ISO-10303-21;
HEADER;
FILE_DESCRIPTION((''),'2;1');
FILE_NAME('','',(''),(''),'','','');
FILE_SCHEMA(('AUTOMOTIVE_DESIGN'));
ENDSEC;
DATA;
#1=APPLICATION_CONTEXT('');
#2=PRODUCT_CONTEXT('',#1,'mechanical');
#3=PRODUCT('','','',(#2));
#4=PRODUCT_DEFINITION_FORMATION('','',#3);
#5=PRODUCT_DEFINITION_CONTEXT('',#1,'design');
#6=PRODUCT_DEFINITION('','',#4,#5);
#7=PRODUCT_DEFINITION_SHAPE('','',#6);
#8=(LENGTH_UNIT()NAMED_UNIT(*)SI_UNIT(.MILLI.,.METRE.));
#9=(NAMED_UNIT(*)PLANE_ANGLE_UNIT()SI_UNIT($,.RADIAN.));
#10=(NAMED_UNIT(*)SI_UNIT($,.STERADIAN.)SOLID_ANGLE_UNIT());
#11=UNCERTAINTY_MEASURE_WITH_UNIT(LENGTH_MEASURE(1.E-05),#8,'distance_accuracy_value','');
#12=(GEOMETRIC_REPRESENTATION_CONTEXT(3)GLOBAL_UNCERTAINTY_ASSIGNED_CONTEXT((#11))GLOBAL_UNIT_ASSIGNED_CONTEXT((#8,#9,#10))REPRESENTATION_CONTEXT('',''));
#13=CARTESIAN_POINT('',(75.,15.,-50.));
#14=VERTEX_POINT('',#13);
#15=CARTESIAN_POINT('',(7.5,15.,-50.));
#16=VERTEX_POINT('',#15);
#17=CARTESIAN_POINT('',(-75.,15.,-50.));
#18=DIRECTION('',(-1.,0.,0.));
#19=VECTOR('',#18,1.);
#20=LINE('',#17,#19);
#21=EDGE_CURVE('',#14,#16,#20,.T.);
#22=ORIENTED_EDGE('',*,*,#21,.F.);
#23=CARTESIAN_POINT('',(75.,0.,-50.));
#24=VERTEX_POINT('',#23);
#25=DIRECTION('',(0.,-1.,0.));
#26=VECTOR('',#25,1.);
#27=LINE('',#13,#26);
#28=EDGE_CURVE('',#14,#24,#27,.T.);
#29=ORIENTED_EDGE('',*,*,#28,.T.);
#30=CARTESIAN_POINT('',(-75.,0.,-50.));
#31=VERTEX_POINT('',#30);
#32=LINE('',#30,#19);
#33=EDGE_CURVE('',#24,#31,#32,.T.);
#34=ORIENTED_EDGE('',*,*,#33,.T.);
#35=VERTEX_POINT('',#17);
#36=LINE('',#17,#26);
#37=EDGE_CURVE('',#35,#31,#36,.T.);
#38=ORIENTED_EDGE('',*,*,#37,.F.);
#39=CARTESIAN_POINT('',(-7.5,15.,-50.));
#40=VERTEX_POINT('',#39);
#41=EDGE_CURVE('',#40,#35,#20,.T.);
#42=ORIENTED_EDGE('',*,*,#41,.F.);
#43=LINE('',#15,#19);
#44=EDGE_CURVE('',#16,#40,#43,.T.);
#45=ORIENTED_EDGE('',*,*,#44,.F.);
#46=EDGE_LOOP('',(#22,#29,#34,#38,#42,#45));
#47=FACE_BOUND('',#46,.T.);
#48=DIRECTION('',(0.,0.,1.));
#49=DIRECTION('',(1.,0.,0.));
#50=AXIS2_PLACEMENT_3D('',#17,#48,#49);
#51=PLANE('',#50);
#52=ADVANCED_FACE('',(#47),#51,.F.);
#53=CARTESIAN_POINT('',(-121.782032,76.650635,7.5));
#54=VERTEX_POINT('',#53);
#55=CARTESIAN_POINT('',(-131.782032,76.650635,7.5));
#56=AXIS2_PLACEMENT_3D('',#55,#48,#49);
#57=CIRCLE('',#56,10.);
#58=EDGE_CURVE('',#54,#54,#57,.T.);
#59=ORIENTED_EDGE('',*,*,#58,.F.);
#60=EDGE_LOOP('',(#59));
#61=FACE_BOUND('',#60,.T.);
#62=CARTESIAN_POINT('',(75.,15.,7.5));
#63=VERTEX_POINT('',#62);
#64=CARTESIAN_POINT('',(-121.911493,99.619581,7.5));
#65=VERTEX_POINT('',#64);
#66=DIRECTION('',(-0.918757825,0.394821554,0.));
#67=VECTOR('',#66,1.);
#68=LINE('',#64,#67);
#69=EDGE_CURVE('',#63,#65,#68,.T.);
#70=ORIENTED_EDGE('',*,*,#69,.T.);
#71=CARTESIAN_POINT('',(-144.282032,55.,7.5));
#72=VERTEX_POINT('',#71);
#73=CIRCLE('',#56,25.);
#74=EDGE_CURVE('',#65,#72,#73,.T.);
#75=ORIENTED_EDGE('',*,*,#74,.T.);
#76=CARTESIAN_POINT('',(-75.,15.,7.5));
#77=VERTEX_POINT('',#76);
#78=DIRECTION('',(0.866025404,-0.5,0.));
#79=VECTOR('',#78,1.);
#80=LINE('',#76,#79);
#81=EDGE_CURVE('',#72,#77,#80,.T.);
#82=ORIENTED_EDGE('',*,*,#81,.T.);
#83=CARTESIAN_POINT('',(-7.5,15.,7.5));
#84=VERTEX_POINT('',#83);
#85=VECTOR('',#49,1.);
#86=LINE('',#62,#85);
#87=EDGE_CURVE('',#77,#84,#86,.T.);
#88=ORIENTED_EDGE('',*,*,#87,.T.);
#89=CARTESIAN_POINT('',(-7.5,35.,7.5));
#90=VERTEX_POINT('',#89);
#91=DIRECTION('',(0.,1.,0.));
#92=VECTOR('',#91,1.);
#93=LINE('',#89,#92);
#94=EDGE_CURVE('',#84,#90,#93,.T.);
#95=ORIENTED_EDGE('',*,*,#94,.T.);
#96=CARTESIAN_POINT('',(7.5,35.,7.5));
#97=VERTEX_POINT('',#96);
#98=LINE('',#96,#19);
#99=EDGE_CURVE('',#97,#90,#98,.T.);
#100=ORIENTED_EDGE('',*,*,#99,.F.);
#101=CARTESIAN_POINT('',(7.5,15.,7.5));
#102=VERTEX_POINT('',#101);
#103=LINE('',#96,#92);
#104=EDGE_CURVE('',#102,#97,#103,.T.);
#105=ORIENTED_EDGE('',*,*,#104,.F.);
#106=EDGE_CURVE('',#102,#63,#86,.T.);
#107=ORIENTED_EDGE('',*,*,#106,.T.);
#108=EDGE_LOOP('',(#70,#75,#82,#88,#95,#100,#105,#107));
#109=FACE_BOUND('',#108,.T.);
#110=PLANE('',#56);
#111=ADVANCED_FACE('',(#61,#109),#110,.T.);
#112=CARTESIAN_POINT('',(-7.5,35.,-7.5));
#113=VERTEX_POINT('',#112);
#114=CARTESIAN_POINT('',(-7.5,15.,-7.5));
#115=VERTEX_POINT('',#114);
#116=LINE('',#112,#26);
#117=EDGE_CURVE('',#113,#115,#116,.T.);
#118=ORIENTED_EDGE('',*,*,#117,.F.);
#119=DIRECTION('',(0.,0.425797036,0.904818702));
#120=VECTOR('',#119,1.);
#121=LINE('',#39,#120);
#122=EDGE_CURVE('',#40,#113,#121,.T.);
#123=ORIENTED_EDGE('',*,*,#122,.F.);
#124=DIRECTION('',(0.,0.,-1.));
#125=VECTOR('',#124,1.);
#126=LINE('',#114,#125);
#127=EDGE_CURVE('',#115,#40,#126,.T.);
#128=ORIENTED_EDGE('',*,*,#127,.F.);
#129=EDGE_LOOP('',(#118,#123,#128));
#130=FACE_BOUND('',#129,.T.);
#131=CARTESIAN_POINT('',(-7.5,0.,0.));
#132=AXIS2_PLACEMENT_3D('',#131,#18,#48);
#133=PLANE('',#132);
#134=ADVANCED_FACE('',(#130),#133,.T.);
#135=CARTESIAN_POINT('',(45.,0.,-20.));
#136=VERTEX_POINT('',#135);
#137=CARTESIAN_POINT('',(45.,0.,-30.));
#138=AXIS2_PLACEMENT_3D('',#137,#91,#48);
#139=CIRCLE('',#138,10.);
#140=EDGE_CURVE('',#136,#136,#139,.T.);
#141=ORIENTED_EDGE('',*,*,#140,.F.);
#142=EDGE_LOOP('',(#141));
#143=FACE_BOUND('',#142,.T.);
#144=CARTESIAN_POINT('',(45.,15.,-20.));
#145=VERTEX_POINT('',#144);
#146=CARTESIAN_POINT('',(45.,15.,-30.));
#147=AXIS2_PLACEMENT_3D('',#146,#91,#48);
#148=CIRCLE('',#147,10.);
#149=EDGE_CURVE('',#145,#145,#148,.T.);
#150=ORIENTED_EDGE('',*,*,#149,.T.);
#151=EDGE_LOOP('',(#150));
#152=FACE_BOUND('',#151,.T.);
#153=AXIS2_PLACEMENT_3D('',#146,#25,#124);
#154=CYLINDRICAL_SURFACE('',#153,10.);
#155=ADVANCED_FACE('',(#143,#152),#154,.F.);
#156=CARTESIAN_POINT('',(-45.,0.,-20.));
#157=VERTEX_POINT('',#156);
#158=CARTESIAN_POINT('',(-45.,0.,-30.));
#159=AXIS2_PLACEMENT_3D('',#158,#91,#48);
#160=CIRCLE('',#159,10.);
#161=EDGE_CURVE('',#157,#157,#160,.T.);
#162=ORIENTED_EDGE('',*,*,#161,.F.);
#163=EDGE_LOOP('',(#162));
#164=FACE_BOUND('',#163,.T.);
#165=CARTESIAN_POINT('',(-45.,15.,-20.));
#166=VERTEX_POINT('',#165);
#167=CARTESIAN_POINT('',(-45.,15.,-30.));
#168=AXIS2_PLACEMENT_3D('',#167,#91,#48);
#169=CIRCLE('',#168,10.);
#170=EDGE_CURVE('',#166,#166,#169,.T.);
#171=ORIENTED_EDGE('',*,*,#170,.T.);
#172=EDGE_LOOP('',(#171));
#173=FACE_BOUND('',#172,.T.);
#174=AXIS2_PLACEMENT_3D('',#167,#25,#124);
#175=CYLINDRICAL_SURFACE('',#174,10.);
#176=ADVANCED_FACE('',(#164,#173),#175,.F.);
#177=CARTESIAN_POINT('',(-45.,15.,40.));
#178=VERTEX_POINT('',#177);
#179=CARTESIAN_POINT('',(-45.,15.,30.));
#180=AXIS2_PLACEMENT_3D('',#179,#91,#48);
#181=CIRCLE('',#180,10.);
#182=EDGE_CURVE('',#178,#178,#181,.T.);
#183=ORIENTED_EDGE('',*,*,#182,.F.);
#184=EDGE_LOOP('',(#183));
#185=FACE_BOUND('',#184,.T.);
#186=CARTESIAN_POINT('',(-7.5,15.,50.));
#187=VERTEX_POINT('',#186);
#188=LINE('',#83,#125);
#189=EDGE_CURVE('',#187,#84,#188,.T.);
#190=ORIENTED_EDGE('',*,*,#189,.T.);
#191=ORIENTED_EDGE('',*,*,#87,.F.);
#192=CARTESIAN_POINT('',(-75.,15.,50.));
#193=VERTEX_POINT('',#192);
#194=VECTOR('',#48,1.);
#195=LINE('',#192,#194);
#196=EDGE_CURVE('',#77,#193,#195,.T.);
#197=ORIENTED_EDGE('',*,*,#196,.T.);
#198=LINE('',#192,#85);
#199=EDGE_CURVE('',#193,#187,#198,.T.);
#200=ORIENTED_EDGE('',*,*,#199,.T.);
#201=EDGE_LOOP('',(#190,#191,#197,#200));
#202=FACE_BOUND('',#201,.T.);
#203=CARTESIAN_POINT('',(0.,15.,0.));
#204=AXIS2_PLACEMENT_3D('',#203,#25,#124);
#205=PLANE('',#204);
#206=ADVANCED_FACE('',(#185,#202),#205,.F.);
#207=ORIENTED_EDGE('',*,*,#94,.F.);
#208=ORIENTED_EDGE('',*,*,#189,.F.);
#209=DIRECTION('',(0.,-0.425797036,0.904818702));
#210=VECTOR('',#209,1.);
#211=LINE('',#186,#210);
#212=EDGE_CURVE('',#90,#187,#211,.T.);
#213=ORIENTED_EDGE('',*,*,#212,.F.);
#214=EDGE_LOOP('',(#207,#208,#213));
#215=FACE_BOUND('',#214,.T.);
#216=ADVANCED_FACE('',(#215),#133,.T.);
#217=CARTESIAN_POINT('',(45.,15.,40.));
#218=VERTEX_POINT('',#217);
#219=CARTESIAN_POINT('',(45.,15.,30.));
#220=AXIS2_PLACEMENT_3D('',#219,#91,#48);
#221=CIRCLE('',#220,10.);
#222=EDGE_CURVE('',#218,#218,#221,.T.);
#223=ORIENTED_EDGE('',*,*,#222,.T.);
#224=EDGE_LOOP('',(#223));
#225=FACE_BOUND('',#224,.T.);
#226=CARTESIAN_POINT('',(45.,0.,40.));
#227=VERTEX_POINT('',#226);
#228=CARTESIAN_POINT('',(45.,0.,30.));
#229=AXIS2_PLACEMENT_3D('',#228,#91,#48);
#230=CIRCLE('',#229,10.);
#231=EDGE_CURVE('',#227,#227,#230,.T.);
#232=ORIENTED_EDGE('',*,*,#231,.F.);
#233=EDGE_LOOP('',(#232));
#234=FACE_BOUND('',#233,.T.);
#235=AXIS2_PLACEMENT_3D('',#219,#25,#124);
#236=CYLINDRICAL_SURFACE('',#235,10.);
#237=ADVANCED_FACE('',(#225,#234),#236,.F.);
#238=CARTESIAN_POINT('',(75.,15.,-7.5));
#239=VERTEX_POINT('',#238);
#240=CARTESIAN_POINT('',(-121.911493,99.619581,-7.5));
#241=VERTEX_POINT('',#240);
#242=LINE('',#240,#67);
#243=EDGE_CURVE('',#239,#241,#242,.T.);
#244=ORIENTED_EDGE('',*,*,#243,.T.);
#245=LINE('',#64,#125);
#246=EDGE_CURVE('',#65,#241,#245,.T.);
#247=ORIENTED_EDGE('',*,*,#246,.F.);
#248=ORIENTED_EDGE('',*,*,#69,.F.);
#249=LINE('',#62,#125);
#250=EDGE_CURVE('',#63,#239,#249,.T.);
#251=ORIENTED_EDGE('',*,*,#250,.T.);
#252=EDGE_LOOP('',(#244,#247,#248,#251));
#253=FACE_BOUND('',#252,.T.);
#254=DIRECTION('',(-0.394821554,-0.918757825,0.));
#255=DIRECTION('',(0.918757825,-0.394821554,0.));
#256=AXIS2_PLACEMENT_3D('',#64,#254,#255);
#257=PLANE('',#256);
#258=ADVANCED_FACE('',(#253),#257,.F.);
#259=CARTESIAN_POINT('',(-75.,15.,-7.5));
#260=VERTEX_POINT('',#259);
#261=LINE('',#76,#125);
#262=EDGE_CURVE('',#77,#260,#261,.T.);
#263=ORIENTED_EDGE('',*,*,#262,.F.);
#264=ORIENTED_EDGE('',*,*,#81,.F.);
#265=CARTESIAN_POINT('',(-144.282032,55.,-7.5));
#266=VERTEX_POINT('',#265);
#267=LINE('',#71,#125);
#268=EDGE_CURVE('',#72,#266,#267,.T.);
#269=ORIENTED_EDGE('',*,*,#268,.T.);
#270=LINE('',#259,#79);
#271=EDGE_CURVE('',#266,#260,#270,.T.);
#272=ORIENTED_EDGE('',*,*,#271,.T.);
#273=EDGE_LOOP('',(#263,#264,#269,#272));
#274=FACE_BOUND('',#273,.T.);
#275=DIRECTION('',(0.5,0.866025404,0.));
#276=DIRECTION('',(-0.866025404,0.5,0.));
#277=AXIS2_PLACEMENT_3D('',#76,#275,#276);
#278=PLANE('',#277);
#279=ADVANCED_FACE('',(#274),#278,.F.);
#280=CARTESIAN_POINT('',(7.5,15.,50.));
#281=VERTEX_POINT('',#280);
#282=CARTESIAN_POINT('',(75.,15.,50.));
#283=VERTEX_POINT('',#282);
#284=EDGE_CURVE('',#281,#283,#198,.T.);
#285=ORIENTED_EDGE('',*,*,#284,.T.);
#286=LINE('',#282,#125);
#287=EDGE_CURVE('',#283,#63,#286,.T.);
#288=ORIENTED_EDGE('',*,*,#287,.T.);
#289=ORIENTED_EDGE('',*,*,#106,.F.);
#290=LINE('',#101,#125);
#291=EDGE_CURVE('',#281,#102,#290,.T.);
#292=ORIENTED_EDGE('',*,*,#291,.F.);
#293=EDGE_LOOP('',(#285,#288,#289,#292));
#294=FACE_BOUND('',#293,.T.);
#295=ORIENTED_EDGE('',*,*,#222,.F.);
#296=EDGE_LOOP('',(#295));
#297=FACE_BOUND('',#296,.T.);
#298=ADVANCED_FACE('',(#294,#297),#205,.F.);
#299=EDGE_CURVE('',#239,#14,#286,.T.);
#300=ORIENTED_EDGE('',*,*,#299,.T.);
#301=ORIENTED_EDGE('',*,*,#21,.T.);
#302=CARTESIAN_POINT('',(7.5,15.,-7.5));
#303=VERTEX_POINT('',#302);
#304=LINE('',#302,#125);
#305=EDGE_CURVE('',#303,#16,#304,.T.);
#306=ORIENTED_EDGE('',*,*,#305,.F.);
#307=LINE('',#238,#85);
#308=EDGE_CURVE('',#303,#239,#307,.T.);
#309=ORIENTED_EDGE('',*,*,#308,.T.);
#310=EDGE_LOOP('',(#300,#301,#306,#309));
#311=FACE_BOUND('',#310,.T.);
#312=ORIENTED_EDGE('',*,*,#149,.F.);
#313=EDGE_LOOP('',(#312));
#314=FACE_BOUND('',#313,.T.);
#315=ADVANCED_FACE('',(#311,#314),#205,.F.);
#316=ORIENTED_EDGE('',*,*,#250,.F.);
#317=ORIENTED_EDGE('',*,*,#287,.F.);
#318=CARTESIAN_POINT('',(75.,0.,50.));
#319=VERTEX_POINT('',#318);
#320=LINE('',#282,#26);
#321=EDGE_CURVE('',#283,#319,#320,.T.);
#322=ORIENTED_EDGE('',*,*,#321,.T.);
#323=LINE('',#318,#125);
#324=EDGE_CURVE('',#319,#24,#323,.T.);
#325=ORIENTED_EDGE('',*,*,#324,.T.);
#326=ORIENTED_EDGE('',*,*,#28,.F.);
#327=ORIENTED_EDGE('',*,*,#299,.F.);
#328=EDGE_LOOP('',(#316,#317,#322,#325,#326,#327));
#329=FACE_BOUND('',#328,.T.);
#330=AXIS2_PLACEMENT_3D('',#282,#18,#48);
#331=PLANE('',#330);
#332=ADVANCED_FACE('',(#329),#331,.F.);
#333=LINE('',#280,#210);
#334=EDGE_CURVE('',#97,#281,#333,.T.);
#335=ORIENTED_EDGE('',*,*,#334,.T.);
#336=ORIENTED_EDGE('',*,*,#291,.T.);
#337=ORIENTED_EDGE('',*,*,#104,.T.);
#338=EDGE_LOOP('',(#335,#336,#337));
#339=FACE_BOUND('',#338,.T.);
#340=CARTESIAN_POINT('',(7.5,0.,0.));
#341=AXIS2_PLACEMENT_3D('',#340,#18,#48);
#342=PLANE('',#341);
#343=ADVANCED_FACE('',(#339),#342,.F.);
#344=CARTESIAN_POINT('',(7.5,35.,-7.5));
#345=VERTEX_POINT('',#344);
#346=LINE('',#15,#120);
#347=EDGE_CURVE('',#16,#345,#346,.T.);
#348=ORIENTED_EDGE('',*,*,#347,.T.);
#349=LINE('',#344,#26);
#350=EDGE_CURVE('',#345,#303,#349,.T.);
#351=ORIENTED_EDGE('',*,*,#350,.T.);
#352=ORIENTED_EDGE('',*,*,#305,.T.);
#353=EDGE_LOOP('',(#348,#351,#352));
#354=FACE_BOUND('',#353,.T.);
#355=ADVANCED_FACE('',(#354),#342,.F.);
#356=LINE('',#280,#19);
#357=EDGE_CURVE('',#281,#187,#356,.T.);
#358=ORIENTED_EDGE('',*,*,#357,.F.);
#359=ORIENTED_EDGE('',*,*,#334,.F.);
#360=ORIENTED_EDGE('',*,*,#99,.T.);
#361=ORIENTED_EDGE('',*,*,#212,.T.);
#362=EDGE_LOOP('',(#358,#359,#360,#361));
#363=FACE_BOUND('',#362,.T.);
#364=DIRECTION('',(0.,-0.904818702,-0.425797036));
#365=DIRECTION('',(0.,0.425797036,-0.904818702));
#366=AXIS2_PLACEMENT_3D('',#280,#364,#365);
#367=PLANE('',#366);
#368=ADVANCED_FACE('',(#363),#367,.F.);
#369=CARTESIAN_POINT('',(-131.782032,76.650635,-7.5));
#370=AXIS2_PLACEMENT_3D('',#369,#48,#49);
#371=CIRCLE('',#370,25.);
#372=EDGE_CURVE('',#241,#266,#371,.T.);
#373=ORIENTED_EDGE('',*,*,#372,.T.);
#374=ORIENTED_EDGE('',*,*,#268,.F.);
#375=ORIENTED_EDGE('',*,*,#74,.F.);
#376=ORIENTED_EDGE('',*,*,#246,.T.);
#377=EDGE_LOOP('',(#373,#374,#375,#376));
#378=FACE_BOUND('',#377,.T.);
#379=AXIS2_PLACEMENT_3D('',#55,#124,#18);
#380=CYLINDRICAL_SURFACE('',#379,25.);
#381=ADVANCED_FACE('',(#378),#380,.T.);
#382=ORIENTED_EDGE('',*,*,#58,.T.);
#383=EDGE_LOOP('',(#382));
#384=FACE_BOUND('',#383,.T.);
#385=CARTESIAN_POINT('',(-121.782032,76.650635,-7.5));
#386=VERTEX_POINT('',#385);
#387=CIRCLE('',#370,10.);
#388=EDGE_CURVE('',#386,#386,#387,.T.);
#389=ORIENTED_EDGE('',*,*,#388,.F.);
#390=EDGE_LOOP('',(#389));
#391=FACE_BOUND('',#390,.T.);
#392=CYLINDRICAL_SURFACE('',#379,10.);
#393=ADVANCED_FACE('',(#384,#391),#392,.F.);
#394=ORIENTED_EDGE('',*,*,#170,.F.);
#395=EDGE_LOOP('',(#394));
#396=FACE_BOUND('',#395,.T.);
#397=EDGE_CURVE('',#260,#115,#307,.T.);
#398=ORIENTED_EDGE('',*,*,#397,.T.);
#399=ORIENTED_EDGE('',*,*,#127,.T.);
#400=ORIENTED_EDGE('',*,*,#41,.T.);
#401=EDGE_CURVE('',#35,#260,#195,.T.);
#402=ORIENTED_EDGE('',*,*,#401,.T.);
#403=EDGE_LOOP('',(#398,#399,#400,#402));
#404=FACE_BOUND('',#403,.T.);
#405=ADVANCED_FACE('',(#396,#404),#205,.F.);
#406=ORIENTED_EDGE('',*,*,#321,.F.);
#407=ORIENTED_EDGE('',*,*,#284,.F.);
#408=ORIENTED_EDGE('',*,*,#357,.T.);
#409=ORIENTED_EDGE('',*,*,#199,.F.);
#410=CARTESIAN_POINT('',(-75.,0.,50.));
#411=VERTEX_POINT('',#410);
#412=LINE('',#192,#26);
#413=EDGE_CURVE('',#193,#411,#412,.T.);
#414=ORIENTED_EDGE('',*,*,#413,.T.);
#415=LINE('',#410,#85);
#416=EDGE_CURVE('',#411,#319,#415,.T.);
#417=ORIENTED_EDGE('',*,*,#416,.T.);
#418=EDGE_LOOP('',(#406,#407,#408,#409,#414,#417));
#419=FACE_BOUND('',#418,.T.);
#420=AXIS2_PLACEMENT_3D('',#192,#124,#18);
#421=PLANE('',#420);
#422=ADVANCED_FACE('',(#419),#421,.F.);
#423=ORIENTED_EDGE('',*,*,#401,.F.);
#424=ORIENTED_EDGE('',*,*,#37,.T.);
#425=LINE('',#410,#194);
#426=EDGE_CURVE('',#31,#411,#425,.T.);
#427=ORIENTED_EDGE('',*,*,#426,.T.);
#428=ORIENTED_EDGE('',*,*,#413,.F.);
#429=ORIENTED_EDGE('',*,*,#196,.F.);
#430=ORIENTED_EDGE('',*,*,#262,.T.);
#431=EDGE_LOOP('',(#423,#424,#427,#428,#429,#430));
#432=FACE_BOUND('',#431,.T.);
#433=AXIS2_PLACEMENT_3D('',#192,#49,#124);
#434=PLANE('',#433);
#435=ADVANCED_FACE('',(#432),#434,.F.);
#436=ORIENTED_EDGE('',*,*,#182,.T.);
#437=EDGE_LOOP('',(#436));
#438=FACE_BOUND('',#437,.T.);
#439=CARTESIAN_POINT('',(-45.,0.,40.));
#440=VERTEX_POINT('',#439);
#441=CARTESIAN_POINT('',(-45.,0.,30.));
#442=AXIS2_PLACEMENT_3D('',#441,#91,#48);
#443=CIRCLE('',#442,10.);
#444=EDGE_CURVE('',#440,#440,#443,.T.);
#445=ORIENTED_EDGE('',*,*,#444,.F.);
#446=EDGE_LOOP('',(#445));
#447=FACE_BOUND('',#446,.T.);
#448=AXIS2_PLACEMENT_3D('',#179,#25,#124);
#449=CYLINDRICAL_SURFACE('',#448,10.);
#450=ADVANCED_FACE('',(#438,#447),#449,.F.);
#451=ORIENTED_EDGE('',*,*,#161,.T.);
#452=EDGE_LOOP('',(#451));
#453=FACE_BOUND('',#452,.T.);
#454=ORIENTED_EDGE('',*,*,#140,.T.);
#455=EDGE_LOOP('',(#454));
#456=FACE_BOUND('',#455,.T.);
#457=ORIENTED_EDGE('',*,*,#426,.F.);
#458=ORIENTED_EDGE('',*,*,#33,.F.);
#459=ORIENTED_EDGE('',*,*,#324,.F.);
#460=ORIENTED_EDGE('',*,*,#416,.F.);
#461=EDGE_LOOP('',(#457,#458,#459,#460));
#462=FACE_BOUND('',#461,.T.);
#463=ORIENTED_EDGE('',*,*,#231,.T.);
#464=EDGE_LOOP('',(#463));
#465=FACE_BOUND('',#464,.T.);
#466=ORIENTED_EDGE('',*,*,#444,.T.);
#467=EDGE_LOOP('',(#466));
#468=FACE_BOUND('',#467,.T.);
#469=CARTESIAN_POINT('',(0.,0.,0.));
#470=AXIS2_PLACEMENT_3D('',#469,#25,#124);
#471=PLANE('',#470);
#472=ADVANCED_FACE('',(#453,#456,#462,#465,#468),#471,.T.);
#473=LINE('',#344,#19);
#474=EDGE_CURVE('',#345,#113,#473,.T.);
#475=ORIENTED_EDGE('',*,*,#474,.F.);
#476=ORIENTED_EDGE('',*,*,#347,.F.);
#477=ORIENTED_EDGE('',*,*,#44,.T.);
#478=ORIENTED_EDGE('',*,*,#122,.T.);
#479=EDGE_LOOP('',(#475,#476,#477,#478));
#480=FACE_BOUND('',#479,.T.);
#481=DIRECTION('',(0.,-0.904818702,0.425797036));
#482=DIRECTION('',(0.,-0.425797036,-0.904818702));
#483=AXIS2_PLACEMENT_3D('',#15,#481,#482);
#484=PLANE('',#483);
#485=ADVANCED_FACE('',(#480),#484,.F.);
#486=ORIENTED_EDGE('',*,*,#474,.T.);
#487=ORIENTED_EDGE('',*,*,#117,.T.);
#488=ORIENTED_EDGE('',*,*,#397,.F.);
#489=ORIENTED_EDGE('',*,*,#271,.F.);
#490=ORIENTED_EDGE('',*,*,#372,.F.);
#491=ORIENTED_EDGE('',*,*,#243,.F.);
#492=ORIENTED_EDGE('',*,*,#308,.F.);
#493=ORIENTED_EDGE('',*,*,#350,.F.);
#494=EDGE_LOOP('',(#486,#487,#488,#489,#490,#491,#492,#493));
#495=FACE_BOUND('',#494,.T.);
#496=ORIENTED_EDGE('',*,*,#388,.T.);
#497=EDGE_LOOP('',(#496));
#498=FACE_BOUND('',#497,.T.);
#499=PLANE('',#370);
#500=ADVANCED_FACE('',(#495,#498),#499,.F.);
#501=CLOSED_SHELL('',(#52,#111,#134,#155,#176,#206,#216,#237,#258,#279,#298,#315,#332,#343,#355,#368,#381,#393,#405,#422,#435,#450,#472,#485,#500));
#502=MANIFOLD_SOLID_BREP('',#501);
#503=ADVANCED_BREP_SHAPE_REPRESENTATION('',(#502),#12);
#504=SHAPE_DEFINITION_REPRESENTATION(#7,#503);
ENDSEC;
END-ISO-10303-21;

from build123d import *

# Parameters (mm, degrees)
SKETCH1_W           = 150
SKETCH1_H           = 100
SKETCH1_R           = 10
BOSS_EXTRUDE1_DEPTH = 15
SKETCH2_R           = 10
BOSS_EXTRUDE2_DEPTH = 7.5
BOSS_EXTRUDE3_DEPTH = 7.5


with BuildPart() as part:
    # Sketch1 → Boss-Extrude1 (new body)
    with BuildSketch(Plane(origin=(0, 0, 0), x_dir=(1, 0, 0), z_dir=(0, 1, 0))):
        Rectangle(SKETCH1_W, SKETCH1_H)
        with Locations(Location((-45, 30, 0), (0, 0, 270))):
            Circle(SKETCH1_R, mode=Mode.SUBTRACT)
        with Locations(Location((45, 30, 0), (0, 0, 270))):
            Circle(SKETCH1_R, mode=Mode.SUBTRACT)
        with Locations(Location((45, -30, 0), (0, 0, 270))):
            Circle(SKETCH1_R, mode=Mode.SUBTRACT)
        with Locations(Location((-45, -30, 0), (0, 0, 270))):
            Circle(SKETCH1_R, mode=Mode.SUBTRACT)
    extrude(amount=BOSS_EXTRUDE1_DEPTH)

    # Sketch2 → Boss-Extrude2 (add, symmetric)
    with BuildSketch(Plane.XY):
        with BuildLine():
            Line((75, 15), (-75, 15))
            Line((-75, 15), (-144.282032303, 55))
            ThreePointArc((-144.282032303, 55), (-154.13052805, 87.855309915), (-121.911493446, 99.61958071))
            Line((-121.911493446, 99.61958071), (75, 15))
        make_face()
        with Locations((-131.782032303, 76.650635095)):
            Circle(SKETCH2_R, mode=Mode.SUBTRACT)
    extrude(amount=BOSS_EXTRUDE2_DEPTH, both=True)

    # Sketch3 → Boss-Extrude3 (add, symmetric)
    with BuildSketch(Plane(origin=(0, 0, 0), x_dir=(0, 0, -1), z_dir=(1, 0, 0))):
        Polygon((-7.5, 35), (-7.5, 15), (-50, 15), align=None)
        Polygon((50, 15), (7.5, 35), (7.5, 15), align=None)
    extrude(amount=BOSS_EXTRUDE3_DEPTH, both=True)


solid = part.part
